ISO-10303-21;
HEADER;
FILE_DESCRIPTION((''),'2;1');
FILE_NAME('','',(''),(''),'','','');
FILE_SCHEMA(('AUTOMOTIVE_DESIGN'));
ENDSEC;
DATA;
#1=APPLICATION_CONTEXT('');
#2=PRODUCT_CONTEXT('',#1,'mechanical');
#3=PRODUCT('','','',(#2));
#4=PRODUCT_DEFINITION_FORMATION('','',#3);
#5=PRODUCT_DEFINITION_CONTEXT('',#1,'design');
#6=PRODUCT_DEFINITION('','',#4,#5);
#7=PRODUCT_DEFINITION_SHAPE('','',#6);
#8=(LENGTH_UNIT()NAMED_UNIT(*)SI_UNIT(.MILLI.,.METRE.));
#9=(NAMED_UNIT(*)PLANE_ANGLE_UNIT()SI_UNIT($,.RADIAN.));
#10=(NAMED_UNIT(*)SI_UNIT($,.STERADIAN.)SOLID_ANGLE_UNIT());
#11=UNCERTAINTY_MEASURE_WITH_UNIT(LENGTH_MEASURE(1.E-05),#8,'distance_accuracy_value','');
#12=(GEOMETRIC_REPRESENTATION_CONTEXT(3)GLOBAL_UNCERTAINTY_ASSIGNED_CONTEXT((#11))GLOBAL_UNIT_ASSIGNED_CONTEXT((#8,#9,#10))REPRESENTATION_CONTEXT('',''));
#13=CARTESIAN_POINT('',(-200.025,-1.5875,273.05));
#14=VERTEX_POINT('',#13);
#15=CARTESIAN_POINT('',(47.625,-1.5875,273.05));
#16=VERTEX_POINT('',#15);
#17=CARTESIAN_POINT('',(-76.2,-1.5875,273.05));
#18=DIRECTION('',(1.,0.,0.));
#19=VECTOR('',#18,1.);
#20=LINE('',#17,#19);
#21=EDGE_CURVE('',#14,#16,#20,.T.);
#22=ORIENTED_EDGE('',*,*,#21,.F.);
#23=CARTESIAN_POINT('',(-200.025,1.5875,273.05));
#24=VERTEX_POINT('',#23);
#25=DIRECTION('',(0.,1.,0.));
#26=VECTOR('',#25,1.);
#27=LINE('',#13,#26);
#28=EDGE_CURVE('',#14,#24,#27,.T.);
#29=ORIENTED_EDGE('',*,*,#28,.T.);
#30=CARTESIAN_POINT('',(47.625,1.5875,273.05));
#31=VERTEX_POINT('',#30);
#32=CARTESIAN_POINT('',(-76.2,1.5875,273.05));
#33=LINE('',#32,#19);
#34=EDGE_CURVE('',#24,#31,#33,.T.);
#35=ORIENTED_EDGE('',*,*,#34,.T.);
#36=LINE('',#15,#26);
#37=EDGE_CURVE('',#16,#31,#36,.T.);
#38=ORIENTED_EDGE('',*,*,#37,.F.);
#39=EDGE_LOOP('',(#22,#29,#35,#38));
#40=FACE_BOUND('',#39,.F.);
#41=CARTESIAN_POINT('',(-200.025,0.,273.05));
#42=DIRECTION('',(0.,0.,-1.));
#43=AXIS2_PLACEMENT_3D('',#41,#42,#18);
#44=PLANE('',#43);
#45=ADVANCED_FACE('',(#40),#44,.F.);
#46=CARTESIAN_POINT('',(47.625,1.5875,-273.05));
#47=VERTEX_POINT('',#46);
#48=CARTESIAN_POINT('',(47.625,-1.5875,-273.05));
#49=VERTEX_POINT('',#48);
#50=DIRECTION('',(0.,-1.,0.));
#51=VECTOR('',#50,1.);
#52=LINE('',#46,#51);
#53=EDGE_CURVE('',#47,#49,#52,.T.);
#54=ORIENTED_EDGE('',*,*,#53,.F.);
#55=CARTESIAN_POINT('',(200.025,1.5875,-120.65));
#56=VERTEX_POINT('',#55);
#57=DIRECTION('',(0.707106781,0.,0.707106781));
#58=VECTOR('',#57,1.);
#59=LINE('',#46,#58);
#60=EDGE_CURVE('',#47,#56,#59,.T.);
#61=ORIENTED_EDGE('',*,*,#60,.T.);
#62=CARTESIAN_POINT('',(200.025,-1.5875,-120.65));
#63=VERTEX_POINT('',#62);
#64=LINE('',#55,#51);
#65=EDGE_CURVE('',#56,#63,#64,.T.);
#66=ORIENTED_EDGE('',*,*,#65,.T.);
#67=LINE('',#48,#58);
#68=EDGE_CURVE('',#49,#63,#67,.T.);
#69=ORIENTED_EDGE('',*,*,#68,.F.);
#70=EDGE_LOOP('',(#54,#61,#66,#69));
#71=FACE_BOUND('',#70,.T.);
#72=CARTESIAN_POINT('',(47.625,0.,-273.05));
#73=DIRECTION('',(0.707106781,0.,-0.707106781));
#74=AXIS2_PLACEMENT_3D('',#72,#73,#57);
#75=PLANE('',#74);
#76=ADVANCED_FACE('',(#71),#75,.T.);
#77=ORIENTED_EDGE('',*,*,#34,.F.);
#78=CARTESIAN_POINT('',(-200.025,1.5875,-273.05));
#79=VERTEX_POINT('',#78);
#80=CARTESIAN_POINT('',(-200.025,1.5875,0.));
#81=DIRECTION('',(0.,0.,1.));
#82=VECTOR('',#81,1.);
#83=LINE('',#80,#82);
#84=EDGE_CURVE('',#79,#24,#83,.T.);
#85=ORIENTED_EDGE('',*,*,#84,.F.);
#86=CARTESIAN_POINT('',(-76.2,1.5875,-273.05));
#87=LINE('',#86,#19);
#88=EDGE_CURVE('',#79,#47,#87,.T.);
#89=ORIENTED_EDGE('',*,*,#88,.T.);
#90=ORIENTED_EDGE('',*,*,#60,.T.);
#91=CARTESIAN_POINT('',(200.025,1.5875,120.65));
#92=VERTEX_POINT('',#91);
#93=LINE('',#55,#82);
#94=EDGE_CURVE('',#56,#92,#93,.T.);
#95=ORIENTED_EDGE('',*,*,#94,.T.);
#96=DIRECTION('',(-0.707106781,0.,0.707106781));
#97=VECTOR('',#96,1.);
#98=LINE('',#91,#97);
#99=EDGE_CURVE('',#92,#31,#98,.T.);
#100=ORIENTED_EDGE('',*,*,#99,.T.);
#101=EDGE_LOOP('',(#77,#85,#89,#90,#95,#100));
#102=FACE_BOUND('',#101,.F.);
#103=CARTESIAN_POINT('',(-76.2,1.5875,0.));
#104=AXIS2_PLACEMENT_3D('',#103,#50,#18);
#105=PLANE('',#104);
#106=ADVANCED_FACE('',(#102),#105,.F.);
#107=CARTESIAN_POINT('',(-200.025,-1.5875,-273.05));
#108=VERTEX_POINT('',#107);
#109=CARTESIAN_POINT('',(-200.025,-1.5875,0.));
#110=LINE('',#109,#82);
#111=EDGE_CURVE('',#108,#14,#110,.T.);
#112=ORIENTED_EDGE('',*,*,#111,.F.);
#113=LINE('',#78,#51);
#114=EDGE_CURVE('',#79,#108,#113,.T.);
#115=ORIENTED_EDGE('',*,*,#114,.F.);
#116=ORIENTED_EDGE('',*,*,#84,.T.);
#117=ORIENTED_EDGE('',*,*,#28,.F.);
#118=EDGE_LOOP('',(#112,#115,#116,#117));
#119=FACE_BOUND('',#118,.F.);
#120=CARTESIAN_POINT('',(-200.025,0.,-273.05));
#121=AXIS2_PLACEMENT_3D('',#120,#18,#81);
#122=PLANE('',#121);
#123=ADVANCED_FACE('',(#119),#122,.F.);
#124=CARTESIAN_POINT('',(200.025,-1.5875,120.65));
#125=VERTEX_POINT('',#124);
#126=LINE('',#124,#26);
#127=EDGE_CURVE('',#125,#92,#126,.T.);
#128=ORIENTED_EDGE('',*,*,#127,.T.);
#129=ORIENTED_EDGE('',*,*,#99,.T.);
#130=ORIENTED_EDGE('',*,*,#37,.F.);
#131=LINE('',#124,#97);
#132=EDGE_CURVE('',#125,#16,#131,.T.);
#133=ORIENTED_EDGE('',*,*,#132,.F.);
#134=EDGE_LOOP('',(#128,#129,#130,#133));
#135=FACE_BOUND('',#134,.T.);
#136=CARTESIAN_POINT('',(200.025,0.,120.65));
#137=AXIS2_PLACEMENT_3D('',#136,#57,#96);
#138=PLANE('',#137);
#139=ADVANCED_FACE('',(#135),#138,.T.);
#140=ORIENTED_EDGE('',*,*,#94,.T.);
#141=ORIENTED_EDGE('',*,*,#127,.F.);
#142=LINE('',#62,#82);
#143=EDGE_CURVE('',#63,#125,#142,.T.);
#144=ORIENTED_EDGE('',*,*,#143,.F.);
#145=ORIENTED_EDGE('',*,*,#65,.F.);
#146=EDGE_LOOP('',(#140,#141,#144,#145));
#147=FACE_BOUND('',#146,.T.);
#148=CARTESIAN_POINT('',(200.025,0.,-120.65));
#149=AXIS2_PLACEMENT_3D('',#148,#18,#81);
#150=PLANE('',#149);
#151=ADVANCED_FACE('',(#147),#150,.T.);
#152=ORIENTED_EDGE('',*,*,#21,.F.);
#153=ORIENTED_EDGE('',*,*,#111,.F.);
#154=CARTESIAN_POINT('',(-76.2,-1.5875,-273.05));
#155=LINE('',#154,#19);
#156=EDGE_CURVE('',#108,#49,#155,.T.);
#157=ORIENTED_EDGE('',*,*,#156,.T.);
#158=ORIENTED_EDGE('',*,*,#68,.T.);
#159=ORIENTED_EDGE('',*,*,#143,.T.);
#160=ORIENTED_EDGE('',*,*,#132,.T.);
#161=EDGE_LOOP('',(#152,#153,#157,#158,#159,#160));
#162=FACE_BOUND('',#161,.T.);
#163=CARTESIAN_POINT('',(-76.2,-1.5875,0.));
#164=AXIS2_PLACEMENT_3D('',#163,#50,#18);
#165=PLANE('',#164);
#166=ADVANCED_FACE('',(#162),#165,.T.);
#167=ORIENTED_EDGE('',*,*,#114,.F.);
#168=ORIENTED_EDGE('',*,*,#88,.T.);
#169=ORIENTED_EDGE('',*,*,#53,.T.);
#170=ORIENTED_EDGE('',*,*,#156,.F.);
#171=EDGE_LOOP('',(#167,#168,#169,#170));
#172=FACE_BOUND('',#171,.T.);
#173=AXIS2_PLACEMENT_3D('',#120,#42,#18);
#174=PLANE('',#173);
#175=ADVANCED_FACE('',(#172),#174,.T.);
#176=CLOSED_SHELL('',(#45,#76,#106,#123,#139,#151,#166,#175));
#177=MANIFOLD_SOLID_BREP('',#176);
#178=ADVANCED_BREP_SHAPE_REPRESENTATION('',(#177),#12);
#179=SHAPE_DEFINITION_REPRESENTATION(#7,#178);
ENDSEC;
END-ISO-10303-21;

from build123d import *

# Parameters (mm, degrees)
F0_W     = 247.65
F0_H     = 546.1
F1_DEPTH = 1.5875


with BuildPart() as f1:
    # F0 (on Front) → F1 (new body, symmetric)
    with BuildSketch(Plane.XZ):
        with Locations((-76.2, 0)):
            Rectangle(F0_W, F0_H)
        Polygon((200.025, 120.65), (47.625, 273.05), (47.625, -273.05), (200.025, -120.65), align=None)
    extrude(amount=F1_DEPTH, both=True)


solid = f1.part
